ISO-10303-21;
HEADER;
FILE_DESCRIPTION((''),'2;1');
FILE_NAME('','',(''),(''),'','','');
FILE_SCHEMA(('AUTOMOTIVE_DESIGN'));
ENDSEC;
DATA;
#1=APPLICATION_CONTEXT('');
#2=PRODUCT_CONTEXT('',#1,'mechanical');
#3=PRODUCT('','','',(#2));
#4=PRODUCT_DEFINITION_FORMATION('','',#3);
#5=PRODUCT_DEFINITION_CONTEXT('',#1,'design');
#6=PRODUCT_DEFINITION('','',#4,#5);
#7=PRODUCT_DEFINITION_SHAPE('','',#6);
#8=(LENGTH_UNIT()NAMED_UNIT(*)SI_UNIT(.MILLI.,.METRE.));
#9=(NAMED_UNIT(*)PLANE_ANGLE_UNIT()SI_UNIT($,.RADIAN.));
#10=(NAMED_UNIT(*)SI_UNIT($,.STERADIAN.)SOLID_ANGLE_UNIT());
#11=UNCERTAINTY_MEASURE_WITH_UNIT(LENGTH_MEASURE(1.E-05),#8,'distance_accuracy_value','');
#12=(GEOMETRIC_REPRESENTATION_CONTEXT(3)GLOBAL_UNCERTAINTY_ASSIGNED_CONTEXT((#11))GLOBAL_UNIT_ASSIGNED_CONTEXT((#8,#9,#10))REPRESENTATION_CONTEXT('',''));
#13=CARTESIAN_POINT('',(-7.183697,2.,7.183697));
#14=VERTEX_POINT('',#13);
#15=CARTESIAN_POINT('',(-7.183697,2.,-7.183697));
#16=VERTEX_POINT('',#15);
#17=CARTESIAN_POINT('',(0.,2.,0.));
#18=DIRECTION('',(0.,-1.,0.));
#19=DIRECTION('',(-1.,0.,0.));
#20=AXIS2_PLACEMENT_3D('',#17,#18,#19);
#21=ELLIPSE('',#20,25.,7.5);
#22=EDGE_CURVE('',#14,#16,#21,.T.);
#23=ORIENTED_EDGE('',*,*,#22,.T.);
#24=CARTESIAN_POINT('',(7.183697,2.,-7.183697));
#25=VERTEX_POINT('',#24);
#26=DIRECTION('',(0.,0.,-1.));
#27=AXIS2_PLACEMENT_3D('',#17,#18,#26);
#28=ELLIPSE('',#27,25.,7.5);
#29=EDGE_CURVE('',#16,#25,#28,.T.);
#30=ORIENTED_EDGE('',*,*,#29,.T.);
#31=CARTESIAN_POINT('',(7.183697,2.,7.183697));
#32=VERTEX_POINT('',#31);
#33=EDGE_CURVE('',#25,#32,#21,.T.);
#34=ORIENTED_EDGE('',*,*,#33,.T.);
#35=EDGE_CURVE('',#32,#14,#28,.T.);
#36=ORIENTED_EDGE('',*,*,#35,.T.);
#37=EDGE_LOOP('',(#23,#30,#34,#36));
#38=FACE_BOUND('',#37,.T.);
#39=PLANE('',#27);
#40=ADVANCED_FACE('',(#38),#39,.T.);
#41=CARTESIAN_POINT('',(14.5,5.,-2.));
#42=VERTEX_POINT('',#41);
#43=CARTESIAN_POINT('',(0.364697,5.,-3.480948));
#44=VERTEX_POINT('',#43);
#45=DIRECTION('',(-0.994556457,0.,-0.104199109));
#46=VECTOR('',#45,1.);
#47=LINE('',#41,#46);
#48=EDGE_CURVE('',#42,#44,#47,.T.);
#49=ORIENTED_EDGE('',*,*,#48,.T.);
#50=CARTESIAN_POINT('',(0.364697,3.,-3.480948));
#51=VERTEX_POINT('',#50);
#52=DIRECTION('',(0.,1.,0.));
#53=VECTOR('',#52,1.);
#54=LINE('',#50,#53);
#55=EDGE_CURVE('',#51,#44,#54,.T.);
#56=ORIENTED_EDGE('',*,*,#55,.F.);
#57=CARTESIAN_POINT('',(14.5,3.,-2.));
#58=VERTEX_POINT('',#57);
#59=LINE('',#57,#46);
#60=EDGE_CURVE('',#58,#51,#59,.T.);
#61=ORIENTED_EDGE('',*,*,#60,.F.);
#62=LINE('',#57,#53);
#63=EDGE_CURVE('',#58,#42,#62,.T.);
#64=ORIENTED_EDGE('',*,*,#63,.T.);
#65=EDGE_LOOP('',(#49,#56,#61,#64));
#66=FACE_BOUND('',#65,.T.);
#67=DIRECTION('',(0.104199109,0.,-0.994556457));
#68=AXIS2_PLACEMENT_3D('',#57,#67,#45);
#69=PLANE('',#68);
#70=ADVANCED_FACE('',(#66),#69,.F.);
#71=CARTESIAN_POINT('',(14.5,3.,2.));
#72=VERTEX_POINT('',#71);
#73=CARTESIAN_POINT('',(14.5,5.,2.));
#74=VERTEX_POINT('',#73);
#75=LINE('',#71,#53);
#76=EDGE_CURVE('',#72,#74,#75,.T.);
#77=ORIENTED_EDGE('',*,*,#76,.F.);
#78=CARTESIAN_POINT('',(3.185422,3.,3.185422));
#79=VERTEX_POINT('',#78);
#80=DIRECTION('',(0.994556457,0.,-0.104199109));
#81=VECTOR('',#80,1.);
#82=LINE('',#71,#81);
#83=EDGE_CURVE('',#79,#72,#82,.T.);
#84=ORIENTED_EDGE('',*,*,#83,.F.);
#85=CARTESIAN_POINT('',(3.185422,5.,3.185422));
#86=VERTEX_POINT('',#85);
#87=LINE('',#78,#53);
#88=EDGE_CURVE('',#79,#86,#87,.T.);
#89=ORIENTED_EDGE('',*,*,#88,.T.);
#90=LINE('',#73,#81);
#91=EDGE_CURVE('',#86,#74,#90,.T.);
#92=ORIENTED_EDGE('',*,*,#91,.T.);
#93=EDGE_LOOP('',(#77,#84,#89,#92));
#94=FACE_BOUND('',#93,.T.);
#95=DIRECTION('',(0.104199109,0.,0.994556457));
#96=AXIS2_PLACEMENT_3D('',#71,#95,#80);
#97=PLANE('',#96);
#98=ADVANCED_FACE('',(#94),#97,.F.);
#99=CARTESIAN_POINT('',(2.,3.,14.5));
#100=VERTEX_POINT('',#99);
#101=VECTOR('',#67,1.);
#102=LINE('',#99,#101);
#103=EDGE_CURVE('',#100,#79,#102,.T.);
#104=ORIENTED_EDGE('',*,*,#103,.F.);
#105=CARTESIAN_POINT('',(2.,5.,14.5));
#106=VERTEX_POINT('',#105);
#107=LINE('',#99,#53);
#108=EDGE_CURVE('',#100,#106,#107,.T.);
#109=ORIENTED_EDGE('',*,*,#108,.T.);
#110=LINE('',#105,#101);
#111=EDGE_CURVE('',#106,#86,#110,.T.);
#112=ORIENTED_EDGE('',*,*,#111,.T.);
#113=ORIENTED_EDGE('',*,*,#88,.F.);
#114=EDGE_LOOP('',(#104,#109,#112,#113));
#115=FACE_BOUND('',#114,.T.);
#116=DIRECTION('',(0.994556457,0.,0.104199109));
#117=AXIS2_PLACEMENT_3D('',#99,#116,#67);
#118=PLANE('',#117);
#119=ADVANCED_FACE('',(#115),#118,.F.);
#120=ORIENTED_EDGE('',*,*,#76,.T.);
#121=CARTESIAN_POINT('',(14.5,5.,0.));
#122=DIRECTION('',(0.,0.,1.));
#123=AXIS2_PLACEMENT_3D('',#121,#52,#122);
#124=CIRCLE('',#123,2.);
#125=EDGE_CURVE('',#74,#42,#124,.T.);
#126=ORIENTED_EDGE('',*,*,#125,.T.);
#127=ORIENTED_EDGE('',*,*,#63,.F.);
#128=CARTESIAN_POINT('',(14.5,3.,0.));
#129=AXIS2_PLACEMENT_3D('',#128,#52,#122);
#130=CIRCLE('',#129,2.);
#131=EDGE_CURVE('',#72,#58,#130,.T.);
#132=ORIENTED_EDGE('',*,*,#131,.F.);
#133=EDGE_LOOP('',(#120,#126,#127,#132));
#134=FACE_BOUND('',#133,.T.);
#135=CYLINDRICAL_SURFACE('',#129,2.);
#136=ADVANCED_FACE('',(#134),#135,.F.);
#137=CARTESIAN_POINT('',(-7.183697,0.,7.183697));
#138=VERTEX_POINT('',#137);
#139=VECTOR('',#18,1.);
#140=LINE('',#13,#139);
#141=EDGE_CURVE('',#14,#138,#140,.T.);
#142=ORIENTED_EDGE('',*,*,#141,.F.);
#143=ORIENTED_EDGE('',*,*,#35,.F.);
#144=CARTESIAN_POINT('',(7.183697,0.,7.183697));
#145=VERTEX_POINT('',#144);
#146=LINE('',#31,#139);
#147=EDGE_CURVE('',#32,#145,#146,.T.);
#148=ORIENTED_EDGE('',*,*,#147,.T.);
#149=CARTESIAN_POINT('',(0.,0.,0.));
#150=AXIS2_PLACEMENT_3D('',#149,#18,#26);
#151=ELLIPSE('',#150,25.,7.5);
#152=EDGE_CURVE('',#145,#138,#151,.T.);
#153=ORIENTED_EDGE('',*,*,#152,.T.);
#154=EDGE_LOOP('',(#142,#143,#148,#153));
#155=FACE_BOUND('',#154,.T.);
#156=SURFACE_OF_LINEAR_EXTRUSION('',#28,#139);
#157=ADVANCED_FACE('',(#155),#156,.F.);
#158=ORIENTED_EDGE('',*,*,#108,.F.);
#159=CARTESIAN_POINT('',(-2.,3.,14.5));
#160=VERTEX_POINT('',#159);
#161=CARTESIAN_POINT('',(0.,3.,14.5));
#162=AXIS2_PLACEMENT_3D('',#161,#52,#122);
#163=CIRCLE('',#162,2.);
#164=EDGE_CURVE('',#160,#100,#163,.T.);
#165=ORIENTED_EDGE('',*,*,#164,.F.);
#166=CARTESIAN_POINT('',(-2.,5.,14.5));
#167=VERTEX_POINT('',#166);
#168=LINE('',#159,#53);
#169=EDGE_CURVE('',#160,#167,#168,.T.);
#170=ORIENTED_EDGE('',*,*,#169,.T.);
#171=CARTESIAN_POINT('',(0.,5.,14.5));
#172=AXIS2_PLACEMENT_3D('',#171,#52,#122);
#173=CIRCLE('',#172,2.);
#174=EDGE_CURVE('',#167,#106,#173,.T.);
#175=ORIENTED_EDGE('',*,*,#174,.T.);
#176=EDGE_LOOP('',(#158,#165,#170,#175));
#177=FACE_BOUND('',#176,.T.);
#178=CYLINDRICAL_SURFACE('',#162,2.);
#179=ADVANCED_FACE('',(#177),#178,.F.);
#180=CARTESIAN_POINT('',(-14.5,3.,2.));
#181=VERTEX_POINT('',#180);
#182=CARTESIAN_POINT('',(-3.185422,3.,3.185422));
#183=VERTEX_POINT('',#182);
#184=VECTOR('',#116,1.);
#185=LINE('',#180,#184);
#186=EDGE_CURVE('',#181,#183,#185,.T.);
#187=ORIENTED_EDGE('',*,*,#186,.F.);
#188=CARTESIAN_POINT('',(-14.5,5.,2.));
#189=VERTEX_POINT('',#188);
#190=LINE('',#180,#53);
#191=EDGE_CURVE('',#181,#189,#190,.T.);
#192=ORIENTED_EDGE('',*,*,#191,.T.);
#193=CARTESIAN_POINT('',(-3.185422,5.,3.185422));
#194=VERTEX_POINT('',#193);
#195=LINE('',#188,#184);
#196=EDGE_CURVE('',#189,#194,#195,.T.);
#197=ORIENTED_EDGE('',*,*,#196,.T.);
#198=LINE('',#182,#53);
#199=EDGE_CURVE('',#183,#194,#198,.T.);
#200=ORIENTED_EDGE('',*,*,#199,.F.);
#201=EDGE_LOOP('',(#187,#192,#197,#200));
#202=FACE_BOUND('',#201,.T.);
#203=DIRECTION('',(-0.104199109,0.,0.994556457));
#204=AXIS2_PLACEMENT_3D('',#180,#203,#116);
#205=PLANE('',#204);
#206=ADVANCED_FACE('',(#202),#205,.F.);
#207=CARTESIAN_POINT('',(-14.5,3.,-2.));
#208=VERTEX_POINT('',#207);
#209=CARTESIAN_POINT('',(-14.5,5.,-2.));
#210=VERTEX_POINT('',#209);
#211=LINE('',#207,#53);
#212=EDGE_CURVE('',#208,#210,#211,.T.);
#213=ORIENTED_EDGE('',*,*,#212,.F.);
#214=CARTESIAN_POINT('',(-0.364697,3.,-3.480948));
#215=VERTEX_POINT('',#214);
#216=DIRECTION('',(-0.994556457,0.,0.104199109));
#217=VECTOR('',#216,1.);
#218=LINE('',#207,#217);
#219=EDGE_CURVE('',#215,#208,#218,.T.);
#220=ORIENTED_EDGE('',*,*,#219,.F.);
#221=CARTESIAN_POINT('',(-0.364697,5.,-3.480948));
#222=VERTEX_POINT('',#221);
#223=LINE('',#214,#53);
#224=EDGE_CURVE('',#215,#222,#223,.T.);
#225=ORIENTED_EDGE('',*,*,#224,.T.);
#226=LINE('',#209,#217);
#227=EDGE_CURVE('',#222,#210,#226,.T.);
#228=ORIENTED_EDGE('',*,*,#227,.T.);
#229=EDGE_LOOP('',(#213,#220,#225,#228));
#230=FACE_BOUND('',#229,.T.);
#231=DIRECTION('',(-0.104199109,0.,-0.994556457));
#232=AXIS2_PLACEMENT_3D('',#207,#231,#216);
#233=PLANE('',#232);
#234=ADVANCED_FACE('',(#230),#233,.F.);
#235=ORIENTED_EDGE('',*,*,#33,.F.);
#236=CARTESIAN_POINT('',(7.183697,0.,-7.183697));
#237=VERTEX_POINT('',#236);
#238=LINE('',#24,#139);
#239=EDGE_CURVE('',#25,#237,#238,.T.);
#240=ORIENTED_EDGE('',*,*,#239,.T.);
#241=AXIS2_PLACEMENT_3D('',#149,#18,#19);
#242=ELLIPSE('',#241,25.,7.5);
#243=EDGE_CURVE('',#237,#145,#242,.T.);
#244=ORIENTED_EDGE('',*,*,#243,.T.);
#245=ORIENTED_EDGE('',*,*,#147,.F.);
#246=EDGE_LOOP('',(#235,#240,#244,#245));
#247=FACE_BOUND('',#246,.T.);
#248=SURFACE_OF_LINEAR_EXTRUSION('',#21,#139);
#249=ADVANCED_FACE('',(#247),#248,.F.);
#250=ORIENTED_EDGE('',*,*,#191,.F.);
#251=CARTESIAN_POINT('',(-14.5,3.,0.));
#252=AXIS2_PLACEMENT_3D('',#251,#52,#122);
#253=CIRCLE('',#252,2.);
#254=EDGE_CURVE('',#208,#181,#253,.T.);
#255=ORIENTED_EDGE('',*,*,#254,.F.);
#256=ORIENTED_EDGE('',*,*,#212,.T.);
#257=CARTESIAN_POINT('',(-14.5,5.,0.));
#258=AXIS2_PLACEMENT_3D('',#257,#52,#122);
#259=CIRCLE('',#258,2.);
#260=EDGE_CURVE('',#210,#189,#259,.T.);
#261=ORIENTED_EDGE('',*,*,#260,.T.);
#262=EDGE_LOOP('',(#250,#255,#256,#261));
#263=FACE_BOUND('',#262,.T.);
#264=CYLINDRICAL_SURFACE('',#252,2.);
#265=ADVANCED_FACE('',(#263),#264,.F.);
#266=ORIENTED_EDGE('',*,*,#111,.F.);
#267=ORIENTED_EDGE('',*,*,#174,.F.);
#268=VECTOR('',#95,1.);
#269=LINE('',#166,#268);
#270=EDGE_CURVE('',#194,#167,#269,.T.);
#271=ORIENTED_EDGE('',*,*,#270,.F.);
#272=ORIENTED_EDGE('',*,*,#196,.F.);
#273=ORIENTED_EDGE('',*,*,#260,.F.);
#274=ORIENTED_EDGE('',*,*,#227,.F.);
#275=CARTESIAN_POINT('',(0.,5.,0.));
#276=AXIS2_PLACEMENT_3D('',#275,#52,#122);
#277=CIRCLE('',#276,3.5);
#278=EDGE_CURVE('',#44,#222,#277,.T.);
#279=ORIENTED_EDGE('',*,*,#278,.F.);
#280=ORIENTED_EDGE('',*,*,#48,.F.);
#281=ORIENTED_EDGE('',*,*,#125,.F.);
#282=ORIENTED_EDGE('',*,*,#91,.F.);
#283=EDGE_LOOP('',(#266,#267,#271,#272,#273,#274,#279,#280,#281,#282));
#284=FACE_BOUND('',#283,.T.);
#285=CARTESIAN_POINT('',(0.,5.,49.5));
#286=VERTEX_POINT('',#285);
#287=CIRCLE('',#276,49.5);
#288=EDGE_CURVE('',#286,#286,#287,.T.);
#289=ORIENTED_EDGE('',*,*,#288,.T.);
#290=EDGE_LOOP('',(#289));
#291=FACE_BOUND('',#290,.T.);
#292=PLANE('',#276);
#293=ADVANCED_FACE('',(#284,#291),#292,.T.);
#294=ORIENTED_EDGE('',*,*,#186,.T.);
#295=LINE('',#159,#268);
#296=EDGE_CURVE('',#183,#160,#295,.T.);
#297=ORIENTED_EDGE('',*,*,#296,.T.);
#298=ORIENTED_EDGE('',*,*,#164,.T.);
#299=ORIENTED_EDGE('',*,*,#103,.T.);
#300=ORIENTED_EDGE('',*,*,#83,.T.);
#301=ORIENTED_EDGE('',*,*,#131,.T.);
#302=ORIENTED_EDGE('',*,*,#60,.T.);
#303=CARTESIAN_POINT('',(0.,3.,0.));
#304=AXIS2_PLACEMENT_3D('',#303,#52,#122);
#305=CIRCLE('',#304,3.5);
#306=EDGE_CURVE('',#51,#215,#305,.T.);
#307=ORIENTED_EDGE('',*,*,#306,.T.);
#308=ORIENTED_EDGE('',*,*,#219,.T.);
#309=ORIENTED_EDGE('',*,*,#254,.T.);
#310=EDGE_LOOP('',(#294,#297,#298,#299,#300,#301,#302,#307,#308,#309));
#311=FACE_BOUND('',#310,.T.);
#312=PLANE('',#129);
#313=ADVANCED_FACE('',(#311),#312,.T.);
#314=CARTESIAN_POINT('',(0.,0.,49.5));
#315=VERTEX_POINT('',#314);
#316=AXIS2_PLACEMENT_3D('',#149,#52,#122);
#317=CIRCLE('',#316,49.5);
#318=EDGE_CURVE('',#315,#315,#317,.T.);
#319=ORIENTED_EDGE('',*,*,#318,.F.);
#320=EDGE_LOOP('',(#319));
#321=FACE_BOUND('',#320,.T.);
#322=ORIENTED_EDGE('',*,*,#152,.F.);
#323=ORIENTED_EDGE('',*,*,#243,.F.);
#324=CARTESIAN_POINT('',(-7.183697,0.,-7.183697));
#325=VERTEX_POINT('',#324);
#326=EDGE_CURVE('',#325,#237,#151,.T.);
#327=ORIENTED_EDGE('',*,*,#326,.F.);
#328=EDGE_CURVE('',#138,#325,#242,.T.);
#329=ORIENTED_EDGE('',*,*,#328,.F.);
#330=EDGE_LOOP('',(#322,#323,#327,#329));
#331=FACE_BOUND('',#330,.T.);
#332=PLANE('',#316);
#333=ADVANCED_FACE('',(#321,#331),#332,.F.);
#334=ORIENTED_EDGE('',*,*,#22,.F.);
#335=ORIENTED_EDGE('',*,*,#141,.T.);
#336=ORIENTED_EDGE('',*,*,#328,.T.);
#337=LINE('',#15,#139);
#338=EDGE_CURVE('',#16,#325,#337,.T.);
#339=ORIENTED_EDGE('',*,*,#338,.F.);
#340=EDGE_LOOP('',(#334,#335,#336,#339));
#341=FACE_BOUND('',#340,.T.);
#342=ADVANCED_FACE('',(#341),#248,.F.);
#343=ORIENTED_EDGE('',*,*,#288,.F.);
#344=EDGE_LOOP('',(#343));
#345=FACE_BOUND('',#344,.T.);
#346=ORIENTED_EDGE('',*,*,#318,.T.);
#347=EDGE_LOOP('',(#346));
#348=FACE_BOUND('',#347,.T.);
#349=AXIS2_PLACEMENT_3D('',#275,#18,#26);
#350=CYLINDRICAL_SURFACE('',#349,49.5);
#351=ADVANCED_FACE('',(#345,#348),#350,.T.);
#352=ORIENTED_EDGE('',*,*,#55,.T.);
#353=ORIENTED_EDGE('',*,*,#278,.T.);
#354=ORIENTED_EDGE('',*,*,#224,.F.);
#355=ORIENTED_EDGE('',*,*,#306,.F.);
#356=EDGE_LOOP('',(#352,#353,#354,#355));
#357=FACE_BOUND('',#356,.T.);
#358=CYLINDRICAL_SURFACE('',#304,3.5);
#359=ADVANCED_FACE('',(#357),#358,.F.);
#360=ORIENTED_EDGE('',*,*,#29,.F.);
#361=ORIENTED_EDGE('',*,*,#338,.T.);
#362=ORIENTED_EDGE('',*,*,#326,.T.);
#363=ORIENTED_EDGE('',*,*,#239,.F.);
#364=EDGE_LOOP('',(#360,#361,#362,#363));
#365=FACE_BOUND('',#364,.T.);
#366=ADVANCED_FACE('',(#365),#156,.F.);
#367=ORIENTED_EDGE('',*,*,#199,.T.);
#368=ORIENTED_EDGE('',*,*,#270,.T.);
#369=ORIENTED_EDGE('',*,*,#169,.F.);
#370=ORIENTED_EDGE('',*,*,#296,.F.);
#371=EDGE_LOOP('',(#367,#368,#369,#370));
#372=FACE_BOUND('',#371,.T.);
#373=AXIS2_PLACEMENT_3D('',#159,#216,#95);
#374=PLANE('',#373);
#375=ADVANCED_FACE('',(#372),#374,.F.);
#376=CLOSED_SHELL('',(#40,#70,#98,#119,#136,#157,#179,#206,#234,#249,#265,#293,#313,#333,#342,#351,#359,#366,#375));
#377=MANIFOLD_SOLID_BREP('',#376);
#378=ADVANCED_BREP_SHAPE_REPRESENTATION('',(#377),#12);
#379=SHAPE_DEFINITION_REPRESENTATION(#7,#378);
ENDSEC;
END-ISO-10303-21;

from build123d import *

# Parameters (mm, degrees)
SKETCH1_R           = 49.5
BOSS_EXTRUDE1_DEPTH = 5
CUT_EXTRUDE1_DEPTH  = 2
CUT_EXTRUDE2_DEPTH  = 2


with BuildPart() as part:
    # Sketch1 → Boss-Extrude1 (new body)
    with BuildSketch(Plane(origin=(0, 0, 0), x_dir=(1, 0, 0), z_dir=(0, 1, 0))):
        Circle(SKETCH1_R)
    extrude(amount=BOSS_EXTRUDE1_DEPTH)

    # Sketch2 → Cut-Extrude1 (cut)
    with BuildSketch(Plane(origin=(0, 5, 0), x_dir=(1, 0, 0), z_dir=(0, 1, 0))):
        with BuildLine():
            Line((14.5, 2), (0.364696883, 3.480947599))
            ThreePointArc((0.364696883, 3.480947599), (0, 3.5), (-0.364696883, 3.480947599))
            Line((-0.364696883, 3.480947599), (-14.5, 2))
            ThreePointArc((-14.5, 2), (-16.5, 0), (-14.5, -2))
            Line((-14.5, -2), (-3.185421861, -3.185421861))
            Line((-3.185421861, -3.185421861), (-2, -14.5))
            ThreePointArc((-2, -14.5), (0, -16.5), (2, -14.5))
            Line((2, -14.5), (3.185421861, -3.185421861))
            Line((3.185421861, -3.185421861), (14.5, -2))
            ThreePointArc((14.5, -2), (16.5, 0), (14.5, 2))
        make_face()
    extrude(amount=-CUT_EXTRUDE1_DEPTH, mode=Mode.SUBTRACT)

    # Sketch3 → Cut-Extrude2 (cut)
    with BuildSketch(Plane.XZ):
        with BuildLine():
            add(Edge.make_bspline(
                [(7.183697139, 7.183697139), (0, 87.002554241), (-7.183697139, 7.183697139)],
                knots=[1.862253121, 1.862253121, 1.862253121, 4.420932186, 4.420932186, 4.420932186], degree=2, weights=[1, 0.287347886, 1]))
            add(Edge.make_bspline(
                [(-7.183697139, 7.183697139), (-87.002554241, 0), (-7.183697139, -7.183697139)],
                knots=[5.003845775, 5.003845775, 5.003845775, 7.562524839, 7.562524839, 7.562524839], degree=2, weights=[1, 0.287347886, 1]))
            add(Edge.make_bspline(
                [(-7.183697139, -7.183697139), (0, -87.002554241), (7.183697139, -7.183697139)],
                knots=[5.003845775, 5.003845775, 5.003845775, 7.562524839, 7.562524839, 7.562524839], degree=2, weights=[1, 0.287347886, 1]))
            add(Edge.make_bspline(
                [(7.183697139, -7.183697139), (87.002554241, 0), (7.183697139, 7.183697139)],
                knots=[1.862253121, 1.862253121, 1.862253121, 4.420932186, 4.420932186, 4.420932186], degree=2, weights=[1, 0.287347886, 1]))
        make_face()
    extrude(amount=-CUT_EXTRUDE2_DEPTH, mode=Mode.SUBTRACT)


solid = part.part
